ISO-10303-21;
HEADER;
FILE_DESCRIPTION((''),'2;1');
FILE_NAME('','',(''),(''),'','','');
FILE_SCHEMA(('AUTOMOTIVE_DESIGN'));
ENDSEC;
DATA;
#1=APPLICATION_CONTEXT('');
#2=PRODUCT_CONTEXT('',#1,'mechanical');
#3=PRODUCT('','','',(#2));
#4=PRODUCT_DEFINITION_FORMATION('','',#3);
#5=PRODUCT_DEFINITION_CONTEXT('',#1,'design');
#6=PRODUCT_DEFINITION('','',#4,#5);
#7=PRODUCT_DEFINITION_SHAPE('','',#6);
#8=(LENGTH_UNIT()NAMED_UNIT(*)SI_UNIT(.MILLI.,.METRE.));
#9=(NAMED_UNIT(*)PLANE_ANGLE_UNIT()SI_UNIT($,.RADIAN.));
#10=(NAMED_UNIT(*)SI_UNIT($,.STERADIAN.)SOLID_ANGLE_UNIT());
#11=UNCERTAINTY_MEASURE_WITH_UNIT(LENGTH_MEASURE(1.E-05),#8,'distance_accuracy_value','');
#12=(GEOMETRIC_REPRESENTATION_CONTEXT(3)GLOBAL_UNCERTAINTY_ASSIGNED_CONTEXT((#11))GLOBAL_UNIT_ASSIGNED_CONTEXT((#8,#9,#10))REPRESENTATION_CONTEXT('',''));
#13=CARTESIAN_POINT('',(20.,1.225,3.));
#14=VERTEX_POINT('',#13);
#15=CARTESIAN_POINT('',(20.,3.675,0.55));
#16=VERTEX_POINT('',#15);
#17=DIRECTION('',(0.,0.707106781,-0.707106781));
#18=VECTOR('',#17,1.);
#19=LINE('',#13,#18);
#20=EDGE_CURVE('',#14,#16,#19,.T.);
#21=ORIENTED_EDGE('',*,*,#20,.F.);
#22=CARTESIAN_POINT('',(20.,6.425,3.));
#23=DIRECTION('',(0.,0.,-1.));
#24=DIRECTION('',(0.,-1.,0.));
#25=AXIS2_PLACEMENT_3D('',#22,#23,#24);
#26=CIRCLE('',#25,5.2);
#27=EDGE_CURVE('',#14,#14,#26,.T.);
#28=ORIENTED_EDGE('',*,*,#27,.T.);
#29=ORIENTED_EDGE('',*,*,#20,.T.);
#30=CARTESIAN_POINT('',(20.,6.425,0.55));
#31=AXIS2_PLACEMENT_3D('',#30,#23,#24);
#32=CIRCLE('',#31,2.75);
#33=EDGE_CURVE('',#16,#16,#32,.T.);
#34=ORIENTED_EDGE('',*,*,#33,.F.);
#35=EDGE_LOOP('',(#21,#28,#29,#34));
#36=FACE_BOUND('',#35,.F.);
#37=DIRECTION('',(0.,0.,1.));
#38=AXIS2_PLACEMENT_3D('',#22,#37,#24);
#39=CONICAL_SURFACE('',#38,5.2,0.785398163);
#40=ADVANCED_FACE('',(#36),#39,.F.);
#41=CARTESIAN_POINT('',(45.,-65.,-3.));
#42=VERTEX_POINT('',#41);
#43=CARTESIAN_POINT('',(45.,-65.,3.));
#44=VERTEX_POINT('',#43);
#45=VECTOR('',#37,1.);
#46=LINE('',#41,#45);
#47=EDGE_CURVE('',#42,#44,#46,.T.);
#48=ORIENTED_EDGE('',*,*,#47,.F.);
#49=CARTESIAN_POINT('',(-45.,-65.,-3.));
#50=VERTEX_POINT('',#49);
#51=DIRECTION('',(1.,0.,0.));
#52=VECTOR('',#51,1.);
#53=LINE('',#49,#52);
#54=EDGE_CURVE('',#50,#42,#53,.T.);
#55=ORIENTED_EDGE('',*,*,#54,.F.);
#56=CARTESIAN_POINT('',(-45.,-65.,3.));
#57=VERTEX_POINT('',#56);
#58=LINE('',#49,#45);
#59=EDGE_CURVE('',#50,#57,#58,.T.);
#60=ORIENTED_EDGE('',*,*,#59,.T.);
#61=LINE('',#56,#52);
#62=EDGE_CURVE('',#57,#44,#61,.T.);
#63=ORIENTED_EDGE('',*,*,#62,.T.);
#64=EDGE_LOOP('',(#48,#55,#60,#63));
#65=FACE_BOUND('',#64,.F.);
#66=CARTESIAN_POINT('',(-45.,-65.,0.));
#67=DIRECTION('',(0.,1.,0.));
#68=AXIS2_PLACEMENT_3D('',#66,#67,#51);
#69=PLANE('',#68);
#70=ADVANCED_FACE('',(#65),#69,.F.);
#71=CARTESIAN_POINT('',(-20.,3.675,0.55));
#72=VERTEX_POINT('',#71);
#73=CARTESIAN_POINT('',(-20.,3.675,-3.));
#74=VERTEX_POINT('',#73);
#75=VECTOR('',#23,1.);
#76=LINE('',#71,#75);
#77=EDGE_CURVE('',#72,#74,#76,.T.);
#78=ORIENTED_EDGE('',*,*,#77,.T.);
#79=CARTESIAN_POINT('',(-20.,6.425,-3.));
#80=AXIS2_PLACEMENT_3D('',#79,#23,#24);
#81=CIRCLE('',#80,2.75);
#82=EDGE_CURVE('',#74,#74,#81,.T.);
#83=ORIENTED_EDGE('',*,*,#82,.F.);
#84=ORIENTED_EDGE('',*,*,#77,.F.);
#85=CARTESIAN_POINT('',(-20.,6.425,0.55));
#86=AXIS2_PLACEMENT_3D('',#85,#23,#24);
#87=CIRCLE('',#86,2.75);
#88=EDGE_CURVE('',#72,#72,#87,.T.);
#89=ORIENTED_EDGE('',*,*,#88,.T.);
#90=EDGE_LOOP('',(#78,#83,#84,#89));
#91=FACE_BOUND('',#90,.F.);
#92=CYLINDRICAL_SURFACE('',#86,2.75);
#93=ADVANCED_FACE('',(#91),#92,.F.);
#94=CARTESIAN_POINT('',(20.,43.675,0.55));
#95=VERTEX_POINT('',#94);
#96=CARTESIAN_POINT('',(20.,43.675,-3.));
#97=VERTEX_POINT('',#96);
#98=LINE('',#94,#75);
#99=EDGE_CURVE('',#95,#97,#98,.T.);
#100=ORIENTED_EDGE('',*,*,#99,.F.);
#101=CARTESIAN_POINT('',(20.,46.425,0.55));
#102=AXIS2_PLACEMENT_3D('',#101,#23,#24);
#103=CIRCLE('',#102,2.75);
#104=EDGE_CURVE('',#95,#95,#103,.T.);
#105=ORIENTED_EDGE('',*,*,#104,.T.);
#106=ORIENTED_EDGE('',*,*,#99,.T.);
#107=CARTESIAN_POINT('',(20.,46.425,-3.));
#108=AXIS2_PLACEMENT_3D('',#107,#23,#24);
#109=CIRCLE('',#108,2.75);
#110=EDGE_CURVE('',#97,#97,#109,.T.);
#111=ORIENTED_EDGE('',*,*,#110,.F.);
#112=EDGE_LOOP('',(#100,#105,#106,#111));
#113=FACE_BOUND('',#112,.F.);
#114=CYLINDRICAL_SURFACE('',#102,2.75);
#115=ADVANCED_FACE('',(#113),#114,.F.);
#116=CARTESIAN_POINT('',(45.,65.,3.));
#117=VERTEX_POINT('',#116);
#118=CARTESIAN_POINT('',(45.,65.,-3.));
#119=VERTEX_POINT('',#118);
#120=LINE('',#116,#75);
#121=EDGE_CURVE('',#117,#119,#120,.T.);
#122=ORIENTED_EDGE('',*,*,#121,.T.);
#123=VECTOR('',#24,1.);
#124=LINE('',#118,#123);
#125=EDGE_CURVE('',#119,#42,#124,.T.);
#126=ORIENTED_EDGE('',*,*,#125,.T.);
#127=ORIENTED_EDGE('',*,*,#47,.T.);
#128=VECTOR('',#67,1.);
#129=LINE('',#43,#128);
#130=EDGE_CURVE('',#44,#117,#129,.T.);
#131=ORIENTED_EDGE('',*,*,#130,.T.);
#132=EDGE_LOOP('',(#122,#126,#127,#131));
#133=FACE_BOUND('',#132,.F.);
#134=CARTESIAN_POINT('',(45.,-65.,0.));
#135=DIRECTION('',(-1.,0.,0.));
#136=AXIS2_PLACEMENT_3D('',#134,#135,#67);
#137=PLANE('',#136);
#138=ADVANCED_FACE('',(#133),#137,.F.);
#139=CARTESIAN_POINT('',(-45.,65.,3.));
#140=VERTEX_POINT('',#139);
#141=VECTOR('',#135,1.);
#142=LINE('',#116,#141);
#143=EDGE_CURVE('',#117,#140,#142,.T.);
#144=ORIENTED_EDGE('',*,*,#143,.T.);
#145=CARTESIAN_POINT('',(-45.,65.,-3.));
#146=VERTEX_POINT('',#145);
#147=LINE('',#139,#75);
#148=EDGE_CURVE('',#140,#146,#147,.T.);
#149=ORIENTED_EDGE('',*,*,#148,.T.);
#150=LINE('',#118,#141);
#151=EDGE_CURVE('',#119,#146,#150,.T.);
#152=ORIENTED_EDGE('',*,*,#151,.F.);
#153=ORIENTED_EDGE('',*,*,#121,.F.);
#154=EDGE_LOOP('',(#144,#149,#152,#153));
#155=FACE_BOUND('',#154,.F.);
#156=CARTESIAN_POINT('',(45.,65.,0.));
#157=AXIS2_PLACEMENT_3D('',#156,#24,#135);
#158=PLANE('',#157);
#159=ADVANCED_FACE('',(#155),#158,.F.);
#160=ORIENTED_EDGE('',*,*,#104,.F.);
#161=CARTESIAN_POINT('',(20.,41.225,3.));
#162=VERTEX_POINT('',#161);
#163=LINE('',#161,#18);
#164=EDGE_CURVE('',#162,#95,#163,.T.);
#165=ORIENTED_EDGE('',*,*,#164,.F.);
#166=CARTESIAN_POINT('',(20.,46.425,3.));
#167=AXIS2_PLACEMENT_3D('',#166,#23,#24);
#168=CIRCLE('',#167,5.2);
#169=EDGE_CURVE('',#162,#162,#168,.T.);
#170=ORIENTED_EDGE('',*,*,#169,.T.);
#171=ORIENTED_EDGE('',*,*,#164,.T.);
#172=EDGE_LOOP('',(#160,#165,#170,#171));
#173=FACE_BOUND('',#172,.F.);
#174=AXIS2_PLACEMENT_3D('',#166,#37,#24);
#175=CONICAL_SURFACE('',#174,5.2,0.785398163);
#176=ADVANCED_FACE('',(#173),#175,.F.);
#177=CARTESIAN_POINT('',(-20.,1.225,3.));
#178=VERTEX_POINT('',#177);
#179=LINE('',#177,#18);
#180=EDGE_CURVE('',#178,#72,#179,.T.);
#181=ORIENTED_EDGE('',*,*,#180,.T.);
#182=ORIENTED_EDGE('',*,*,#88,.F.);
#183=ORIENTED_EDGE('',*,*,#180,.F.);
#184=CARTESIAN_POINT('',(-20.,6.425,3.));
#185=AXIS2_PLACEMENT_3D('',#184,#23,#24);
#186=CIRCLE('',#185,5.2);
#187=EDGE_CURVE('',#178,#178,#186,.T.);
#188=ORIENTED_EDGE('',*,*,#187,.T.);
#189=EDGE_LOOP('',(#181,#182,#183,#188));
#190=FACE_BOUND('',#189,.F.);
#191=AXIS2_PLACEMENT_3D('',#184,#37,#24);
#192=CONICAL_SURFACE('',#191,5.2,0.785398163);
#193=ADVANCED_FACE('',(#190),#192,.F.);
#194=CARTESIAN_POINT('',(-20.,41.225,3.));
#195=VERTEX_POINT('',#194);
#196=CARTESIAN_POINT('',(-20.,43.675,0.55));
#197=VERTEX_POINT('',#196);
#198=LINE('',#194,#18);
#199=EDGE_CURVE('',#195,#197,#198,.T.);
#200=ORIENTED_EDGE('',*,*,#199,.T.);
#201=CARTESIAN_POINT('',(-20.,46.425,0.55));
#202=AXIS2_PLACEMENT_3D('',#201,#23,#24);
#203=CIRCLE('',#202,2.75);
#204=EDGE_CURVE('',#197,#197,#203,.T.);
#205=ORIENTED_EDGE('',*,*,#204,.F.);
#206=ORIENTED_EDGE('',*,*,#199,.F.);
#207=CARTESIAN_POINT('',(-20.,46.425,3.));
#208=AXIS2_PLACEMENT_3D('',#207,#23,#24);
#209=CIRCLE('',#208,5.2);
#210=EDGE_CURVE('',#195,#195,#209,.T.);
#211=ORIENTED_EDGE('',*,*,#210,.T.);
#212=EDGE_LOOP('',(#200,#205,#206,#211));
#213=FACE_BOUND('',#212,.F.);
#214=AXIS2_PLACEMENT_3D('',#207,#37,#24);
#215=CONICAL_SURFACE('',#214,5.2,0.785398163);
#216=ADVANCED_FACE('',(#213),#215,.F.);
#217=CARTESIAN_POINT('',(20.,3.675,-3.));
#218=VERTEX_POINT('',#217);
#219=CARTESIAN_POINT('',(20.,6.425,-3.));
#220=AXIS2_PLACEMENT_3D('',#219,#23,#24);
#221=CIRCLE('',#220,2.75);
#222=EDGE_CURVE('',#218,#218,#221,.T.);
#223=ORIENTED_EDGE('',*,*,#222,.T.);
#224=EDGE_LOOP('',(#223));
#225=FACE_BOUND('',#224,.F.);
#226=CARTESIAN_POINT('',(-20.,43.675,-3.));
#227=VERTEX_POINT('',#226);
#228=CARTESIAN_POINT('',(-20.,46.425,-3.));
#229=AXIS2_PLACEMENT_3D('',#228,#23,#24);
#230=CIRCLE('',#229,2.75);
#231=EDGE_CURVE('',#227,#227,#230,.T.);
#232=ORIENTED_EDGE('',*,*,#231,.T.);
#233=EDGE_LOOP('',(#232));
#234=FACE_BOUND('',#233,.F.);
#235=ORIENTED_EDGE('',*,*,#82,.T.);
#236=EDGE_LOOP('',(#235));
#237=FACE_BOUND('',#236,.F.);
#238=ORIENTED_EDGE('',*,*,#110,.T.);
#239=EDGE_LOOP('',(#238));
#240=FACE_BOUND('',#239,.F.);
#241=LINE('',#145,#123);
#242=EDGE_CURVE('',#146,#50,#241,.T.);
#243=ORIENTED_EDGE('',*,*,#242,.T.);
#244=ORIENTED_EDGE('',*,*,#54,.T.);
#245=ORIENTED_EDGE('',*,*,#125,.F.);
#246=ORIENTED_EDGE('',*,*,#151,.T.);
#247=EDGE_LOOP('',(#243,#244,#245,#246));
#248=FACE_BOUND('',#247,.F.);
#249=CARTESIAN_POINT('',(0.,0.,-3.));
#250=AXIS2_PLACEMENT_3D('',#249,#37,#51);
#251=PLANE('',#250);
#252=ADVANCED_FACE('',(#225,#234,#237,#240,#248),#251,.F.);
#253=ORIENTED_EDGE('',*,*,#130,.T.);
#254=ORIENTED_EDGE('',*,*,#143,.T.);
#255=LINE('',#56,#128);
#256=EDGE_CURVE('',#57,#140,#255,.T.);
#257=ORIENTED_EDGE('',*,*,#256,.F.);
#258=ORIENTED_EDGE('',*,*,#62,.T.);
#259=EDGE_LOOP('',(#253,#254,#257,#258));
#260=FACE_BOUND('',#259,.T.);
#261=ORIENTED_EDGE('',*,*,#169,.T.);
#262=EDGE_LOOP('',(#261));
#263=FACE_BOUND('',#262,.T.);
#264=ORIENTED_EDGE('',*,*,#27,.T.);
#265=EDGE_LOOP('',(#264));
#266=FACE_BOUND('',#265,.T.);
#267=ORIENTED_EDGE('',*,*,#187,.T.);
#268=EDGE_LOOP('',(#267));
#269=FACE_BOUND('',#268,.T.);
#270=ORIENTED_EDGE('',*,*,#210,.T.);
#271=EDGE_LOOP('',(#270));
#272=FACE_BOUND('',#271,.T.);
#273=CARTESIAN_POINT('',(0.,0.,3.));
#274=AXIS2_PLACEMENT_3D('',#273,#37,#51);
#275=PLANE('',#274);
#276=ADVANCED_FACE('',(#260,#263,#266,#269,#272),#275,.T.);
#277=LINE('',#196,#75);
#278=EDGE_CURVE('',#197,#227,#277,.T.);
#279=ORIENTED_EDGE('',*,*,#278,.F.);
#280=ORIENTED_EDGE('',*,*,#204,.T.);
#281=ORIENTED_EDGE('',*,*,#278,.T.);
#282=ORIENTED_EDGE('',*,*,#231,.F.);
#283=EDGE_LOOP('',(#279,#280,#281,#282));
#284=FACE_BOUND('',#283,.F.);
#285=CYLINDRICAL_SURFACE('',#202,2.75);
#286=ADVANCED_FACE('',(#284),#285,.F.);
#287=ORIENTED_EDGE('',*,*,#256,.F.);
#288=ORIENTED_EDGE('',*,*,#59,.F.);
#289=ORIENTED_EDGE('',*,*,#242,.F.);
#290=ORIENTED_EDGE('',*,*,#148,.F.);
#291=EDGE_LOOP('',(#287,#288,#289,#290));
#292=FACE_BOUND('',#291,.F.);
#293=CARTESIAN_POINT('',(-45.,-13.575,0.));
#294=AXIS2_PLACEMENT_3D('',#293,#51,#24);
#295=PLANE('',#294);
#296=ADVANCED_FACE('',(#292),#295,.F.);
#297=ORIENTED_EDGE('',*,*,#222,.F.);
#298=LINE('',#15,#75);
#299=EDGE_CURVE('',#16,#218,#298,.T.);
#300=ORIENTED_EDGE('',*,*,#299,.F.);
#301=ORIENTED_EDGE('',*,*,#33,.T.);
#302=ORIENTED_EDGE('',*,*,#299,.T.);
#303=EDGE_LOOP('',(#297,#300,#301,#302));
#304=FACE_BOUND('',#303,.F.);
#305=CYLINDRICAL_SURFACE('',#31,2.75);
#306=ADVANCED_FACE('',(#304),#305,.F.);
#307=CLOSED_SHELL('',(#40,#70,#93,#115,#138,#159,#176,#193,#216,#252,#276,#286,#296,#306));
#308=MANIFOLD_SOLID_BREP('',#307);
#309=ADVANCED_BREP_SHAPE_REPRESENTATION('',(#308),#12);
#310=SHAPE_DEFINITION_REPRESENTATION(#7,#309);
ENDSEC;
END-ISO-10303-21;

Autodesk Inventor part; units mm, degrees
ref_plane "XY Plane" through (0, 0, 0) normal (0, 0, 1) x (1, 0, 0)
sketch "Sketch1" plane through (0, 0, 0) normal (0, 0, 1) x (1, 0, 0)
  line L0 (-45, -65) -> (45, -65)
  line L1 (45, -65) -> (45, 65)
  line L2 (45, 65) -> (-45, 65)
  line L3 (-45, 65) -> (-45, -65)
  line L4 (-45, -65) -> (45, 65) construction
  line L5 (45, -65) -> (-45, 65) construction
  line L6 (228, -13.575) -> (-228, -13.575) projected
  point P0 (0, 0)
  dimension "d0" = 90
  dimension "d1" = 130
extrude "Extrusion1" add sketch "Sketch1" along normal mid plane 6
sketch "Sketch2" plane through (0, 0, 3) normal (0, 0, 1) x (1, 0, 0)
  point P0 (0, 0)
sketch "Sketch3" plane through (0, 0, 3) normal (0, 0, 1) x (1, 0, 0)
  circle A0 centre (-20, 46.425) radius 2.1
  circle A1 centre (20, 46.425) radius 2.1
  circle A2 centre (-20, 6.425) radius 2.1
  circle A3 centre (20, 6.425) radius 2.1
  circle A4 centre (-20, 6.425) radius 2.1 projected
  circle A5 centre (20, 6.425) radius 2.1 projected
  circle A6 centre (-20, 46.425) radius 2.1 projected
  circle A7 centre (20, 46.425) radius 2.1 projected
  point P0 (0, 0)
hole "Hole1" at (-20, 46.425, 3) at (20, 46.425, 3) at (-20, 6.425, 3) at (20, 6.425, 3) direction (0, 0, -1) diameter 5.5 end through all countersink diameter 10.4 countersink angle 90 clearance for "Countersunk Flat Head Screw ISO 2009/7046" size "M5" standard "ISO"
properties part number "PBLMK-041-5"
